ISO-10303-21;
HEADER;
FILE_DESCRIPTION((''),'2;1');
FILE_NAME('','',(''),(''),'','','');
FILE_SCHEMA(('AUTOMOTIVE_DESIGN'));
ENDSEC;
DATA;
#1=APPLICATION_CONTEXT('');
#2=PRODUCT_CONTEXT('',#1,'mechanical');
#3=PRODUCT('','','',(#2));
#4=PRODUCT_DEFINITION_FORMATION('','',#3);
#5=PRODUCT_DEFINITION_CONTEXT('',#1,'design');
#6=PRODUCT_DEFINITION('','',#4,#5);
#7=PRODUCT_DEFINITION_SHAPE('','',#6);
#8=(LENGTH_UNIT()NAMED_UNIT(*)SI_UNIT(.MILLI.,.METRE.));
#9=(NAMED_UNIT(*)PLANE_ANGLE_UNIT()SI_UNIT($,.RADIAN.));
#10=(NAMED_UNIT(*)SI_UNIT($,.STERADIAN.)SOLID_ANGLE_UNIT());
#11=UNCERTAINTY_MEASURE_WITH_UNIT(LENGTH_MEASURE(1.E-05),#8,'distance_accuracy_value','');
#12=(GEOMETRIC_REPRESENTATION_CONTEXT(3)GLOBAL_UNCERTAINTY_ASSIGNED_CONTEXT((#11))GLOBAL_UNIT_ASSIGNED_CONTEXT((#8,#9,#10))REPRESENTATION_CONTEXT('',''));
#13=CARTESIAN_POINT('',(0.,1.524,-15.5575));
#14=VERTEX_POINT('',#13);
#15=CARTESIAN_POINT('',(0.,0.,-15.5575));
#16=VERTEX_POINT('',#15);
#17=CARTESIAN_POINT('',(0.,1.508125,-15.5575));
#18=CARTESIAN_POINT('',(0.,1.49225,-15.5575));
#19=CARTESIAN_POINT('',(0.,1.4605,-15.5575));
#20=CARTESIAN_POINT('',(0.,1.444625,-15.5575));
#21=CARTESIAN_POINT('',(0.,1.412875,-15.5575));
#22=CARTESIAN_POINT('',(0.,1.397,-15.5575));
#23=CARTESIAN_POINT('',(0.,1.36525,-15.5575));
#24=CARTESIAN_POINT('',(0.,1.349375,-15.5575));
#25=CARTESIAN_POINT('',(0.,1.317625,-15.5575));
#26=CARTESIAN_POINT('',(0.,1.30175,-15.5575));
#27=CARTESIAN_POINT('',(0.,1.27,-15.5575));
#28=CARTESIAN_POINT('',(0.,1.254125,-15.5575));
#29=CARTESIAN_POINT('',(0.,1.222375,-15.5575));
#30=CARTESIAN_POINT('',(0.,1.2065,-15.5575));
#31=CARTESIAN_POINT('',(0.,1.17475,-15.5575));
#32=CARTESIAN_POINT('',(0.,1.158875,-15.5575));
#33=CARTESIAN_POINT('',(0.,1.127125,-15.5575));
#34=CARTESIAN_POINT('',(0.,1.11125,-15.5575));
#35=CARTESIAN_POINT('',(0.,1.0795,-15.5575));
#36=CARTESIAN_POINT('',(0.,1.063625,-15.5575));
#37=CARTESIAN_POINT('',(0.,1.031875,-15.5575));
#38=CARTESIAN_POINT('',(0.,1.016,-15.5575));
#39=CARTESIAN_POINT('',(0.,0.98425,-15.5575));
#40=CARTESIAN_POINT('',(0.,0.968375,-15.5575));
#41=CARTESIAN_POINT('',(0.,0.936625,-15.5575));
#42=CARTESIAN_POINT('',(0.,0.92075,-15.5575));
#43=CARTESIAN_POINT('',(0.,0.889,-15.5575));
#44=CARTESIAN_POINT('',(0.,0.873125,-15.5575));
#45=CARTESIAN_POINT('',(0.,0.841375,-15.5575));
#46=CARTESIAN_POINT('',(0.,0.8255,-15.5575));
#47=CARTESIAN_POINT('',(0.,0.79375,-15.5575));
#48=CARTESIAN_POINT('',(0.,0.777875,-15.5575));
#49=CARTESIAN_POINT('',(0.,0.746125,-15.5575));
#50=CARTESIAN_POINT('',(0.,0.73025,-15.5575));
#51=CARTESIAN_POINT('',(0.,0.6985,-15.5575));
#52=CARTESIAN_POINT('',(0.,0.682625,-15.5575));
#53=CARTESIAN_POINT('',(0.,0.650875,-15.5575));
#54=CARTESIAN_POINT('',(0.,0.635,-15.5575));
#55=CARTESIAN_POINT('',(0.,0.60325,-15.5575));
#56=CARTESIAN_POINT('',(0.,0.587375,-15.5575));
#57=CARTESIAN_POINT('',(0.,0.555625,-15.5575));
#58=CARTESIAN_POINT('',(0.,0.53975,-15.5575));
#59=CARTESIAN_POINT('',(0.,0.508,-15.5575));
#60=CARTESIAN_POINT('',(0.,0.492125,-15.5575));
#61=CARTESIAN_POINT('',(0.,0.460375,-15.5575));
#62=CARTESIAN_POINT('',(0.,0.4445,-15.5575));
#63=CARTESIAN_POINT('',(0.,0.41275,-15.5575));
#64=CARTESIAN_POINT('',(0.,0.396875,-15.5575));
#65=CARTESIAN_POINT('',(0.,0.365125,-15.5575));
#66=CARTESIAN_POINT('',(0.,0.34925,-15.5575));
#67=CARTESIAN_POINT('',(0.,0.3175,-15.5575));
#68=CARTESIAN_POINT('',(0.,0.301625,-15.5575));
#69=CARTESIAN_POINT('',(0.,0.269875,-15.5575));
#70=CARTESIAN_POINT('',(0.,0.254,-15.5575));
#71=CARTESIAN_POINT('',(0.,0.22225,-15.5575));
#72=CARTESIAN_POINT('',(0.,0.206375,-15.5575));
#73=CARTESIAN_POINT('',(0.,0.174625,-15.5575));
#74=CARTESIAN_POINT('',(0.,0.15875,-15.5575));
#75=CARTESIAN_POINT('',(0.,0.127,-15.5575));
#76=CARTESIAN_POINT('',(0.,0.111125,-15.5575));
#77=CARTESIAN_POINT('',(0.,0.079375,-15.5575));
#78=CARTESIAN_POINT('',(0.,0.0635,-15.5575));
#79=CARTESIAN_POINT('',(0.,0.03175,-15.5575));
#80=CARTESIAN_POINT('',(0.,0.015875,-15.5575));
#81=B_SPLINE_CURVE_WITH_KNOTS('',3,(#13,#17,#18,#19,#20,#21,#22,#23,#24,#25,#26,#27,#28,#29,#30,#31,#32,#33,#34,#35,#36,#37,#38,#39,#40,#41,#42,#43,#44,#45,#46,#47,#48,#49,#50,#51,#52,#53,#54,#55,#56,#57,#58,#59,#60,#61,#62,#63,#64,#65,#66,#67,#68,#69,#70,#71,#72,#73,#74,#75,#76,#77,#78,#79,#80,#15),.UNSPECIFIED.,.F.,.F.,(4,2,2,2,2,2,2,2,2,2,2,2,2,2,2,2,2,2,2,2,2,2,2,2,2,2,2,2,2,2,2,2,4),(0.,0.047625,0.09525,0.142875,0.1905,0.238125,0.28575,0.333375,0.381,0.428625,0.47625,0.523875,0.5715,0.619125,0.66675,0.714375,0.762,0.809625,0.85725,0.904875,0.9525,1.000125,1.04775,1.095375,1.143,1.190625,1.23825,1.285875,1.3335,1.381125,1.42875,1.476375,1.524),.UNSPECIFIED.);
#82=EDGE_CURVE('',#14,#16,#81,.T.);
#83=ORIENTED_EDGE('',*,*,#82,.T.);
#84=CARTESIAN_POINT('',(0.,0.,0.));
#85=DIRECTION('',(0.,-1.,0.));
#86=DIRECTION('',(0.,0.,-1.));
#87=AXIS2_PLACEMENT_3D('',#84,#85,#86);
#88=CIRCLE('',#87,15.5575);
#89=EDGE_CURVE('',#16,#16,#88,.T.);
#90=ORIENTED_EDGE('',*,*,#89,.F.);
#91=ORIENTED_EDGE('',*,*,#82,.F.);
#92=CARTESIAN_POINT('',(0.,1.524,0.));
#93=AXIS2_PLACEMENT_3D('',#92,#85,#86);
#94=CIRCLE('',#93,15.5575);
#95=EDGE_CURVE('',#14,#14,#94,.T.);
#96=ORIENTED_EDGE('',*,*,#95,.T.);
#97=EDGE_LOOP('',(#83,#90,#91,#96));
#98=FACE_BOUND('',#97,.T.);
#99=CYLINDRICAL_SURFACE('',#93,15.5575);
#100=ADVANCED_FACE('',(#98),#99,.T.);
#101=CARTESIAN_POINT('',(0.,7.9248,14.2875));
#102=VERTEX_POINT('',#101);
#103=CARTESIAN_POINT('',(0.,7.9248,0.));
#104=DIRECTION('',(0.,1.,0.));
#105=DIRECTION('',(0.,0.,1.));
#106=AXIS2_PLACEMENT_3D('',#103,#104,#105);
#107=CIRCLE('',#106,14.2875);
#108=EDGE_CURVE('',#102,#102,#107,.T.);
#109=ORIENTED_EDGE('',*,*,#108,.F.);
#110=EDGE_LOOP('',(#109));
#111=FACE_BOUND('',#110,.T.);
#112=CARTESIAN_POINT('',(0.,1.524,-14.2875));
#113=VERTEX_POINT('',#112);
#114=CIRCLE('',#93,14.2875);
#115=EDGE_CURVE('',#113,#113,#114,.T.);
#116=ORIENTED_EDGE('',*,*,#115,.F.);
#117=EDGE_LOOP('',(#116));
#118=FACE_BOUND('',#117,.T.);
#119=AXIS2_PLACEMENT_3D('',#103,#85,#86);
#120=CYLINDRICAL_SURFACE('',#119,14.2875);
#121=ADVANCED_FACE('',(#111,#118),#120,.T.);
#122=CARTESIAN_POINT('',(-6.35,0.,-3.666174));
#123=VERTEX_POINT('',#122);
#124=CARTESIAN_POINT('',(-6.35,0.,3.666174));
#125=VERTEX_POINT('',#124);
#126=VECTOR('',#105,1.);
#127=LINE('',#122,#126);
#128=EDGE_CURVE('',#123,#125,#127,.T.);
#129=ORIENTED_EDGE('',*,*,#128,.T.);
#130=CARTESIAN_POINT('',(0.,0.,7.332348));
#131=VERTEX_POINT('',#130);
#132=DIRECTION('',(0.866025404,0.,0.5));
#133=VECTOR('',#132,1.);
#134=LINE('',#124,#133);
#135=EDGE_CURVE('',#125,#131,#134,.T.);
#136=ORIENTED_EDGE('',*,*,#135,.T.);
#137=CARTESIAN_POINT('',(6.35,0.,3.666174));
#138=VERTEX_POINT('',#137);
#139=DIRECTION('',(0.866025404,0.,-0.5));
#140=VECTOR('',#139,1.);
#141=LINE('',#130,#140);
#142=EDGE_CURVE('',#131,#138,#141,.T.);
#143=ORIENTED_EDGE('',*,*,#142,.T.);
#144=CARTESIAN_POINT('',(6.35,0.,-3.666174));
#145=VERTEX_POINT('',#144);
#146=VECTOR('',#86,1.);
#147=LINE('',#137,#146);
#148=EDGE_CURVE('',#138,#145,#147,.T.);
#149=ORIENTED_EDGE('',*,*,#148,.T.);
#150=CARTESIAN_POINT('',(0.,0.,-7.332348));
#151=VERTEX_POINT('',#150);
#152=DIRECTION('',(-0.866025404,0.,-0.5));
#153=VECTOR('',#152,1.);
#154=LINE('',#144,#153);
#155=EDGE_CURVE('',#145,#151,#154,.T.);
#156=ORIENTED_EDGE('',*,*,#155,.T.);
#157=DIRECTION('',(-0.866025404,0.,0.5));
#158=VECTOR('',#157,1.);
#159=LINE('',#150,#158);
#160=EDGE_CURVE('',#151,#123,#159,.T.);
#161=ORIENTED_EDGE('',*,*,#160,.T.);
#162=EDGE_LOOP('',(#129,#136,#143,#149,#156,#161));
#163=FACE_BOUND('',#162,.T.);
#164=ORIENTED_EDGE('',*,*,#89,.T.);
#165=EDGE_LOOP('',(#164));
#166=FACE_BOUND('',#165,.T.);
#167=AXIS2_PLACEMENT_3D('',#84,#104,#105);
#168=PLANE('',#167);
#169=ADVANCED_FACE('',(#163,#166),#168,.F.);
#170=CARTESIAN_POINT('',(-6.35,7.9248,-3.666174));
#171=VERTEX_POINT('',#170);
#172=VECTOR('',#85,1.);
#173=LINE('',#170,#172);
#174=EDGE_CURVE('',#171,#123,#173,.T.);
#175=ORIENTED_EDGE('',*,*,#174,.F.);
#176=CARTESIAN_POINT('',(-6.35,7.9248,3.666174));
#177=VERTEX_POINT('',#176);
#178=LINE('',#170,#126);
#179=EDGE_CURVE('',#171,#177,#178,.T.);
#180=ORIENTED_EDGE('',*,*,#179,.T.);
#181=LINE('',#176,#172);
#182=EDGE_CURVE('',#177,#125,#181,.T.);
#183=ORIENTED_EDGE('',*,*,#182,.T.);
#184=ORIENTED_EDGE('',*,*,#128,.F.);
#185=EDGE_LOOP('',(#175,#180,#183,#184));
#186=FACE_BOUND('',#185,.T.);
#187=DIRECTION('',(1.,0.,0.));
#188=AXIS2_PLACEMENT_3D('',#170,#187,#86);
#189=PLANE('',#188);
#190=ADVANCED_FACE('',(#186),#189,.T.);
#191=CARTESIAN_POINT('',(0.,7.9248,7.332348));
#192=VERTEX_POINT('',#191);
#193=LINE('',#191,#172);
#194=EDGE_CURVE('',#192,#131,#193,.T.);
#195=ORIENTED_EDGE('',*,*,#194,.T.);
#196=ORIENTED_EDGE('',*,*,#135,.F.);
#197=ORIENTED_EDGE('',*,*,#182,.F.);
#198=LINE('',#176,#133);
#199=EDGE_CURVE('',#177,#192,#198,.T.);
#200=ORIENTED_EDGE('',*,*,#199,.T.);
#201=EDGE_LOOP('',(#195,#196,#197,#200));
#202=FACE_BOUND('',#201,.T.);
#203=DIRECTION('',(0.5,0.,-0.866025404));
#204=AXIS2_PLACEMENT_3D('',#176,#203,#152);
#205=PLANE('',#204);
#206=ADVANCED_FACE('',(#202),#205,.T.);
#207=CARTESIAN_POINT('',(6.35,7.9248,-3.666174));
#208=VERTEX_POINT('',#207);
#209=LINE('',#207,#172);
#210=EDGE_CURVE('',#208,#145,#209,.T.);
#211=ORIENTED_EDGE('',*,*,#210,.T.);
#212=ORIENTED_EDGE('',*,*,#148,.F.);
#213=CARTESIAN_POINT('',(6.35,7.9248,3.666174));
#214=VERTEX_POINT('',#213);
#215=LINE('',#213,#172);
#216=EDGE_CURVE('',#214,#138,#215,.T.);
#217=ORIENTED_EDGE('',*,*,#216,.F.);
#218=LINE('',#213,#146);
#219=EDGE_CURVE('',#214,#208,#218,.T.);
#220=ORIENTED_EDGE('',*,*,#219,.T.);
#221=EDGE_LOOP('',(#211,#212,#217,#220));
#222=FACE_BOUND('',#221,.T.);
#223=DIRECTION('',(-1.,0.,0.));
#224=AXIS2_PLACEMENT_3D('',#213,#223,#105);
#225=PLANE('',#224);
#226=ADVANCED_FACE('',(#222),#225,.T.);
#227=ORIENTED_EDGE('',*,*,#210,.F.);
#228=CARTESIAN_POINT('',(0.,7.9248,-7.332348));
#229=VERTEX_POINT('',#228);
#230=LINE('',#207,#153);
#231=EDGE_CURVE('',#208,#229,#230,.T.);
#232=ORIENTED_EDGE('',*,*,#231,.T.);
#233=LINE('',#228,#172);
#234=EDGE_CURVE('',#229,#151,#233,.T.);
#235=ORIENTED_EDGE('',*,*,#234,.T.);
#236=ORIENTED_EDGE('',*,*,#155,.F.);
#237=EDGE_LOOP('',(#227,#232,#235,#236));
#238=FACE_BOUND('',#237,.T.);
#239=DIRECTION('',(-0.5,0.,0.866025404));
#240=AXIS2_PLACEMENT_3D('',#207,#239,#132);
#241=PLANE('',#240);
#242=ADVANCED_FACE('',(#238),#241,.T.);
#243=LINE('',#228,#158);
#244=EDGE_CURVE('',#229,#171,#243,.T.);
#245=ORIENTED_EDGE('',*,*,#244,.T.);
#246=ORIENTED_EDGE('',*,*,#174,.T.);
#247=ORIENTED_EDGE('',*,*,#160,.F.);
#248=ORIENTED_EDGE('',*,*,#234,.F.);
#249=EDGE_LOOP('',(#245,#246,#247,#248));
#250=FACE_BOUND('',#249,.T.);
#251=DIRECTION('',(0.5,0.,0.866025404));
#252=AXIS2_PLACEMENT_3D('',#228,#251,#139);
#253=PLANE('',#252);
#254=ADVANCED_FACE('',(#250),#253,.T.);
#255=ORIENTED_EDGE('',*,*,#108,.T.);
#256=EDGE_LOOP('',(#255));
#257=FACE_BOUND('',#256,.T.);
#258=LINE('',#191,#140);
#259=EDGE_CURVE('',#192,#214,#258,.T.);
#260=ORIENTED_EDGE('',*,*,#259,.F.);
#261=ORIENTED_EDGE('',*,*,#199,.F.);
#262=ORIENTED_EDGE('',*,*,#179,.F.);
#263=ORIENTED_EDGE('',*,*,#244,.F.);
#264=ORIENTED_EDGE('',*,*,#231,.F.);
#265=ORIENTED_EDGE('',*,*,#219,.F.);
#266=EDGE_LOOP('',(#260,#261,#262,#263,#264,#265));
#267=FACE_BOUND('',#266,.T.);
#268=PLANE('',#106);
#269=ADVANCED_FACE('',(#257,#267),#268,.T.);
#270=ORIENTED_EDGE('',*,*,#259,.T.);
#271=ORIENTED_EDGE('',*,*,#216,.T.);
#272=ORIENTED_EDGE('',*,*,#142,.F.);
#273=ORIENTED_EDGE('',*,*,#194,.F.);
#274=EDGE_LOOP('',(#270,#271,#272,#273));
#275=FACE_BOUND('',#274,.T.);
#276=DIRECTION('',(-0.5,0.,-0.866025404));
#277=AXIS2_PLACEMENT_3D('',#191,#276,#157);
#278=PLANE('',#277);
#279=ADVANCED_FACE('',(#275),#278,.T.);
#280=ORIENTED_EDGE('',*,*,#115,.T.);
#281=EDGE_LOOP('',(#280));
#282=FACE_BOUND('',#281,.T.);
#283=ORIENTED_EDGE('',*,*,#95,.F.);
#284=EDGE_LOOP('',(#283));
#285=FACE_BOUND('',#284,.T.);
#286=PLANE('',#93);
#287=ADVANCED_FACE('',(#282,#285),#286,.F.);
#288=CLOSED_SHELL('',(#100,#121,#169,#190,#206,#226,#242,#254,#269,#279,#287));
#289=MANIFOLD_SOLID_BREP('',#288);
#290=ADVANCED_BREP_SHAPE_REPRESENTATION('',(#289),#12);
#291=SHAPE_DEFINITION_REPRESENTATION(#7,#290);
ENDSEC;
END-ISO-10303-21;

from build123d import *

# Parameters (mm, degrees)
SKETCH1_R           = 14.2875
BOSS_EXTRUDE1_DEPTH = 7.9248
SKETCH2_R           = 15.5575
SKETCH2_R_2         = 14.2875
BOSS_EXTRUDE2_DEPTH = 1.524


with BuildPart() as part:
    # Sketch1 → Boss-Extrude1 (new body)
    with BuildSketch(Plane(origin=(0, 0, 0), x_dir=(1, 0, 0), z_dir=(0, 1, 0))):
        with Locations(Location((0, 0, 0), (0, 0, 270))):
            Circle(SKETCH1_R)
        Polygon((6.35, -3.666174209), (6.35, 3.666174209), (0, 7.332348419), (-6.35, 3.666174209), (-6.35, -3.666174209), (0, -7.332348419), align=None, mode=Mode.SUBTRACT)
    extrude(amount=BOSS_EXTRUDE1_DEPTH)

    # Sketch2 → Boss-Extrude2 (add)
    with BuildSketch(Plane.XZ):
        with Locations(Location((0, 0, 0), (0, 0, 270))):
            Circle(SKETCH2_R)
        with Locations(Location((0, 0, 0), (0, 0, 270))):
            Circle(SKETCH2_R_2, mode=Mode.SUBTRACT)
    extrude(amount=-BOSS_EXTRUDE2_DEPTH)


solid = part.part
